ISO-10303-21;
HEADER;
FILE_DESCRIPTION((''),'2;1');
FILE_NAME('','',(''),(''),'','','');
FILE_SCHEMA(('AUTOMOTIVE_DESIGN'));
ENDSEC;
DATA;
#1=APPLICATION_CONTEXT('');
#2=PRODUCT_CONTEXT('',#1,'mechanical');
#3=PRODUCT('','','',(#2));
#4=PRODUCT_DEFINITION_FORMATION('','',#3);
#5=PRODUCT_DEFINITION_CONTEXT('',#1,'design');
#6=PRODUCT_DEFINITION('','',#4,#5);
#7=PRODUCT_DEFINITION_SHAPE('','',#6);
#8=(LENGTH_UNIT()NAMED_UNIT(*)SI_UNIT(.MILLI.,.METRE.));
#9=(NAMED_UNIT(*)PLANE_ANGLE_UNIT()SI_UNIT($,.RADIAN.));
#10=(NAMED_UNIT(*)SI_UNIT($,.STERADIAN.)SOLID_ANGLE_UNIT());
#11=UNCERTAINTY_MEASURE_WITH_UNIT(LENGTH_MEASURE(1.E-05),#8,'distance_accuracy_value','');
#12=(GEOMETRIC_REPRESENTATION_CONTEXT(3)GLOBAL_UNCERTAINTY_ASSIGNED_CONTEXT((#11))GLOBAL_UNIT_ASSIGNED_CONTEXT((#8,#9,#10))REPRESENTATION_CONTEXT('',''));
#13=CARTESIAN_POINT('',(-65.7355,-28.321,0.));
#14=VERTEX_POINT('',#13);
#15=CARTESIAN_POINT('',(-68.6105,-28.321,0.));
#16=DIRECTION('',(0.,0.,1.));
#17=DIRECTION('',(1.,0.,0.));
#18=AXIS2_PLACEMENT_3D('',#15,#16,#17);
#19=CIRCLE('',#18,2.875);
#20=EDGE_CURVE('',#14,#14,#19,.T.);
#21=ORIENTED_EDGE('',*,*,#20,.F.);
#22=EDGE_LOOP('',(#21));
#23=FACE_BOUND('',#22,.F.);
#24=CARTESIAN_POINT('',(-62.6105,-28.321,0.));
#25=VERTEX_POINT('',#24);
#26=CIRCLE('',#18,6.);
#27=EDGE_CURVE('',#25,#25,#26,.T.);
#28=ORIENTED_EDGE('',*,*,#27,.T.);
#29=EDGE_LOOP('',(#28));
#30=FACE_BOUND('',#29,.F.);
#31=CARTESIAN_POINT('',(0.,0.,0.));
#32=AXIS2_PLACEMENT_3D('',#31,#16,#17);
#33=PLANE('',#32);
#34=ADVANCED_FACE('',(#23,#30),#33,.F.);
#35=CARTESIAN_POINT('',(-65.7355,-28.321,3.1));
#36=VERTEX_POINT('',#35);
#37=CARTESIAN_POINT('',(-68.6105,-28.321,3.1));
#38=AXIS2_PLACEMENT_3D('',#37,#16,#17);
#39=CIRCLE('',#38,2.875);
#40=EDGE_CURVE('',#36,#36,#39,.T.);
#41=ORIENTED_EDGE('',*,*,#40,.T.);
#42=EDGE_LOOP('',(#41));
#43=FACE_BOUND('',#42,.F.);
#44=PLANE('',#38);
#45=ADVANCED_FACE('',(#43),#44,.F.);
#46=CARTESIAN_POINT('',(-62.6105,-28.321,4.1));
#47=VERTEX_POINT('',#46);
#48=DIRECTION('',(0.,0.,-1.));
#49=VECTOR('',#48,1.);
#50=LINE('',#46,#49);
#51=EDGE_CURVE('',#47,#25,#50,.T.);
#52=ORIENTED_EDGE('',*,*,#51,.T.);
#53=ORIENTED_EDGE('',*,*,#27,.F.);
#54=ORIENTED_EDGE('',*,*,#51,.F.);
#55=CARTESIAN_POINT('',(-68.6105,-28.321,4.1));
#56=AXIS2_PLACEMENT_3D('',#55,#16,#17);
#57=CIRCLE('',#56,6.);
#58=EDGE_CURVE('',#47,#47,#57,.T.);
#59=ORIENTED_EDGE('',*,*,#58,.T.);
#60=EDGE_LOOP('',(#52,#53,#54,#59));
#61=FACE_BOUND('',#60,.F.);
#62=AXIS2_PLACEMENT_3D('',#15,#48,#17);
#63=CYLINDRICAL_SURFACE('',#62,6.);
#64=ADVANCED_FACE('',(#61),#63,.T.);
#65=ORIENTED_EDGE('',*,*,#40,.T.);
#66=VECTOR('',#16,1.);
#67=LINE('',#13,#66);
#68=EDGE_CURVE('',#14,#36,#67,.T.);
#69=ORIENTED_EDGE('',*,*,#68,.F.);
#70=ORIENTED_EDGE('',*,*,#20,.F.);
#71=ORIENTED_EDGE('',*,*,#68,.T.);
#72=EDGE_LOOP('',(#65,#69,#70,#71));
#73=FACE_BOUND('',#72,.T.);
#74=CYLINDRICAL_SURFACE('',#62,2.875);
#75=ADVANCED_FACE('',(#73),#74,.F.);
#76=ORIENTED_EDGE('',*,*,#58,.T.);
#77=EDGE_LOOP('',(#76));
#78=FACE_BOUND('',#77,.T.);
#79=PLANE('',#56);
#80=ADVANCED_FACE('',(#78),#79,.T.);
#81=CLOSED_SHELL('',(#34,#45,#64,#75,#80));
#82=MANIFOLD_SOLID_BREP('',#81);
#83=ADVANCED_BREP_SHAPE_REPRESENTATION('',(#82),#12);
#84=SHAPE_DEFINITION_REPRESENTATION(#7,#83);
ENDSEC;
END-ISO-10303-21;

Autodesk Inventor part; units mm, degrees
ref_plane "YZ Plane" through (0, 0, 0) normal (1, 0, 0) x (0, 1, 0)
ref_plane "XZ Plane" through (0, 0, 0) normal (0, 1, 0) x (-1, 0, 0)
ref_plane "XY Plane" through (0, 0, 0) normal (0, 0, 1) x (1, 0, 0)
sketch "Sketch1" plane through (0, 0, 0) normal (0, 0, 1) x (1, 0, 0)
  circle A0 centre (-68.6105, -28.321) radius 1.63 projected
  circle A1 centre (-68.6105, -28.321) radius 2.875
  circle A2 centre (-68.6105, -28.321) radius 6
  point P0 (0, 0)
  dimension "d0" = 5.75
  dimension "d1" = 12
extrude "Extrusion1" add sketch "Sketch1" along normal blind 3.1 contours A2
sketch "Sketch2" plane through (-68.6105, -28.321, 3.1) normal (0, 0, 1) x (1, 0, 0)
  circle A0 centre (0, 0) radius 2.875 projected
  circle A1 centre (0, 0) radius 6 projected
  point P0 (68.6105, 28.321)
extrude "Extrusion2" add sketch "Sketch2" along normal blind 1 contours A0 | A1
properties part number "ThumbScrew"
